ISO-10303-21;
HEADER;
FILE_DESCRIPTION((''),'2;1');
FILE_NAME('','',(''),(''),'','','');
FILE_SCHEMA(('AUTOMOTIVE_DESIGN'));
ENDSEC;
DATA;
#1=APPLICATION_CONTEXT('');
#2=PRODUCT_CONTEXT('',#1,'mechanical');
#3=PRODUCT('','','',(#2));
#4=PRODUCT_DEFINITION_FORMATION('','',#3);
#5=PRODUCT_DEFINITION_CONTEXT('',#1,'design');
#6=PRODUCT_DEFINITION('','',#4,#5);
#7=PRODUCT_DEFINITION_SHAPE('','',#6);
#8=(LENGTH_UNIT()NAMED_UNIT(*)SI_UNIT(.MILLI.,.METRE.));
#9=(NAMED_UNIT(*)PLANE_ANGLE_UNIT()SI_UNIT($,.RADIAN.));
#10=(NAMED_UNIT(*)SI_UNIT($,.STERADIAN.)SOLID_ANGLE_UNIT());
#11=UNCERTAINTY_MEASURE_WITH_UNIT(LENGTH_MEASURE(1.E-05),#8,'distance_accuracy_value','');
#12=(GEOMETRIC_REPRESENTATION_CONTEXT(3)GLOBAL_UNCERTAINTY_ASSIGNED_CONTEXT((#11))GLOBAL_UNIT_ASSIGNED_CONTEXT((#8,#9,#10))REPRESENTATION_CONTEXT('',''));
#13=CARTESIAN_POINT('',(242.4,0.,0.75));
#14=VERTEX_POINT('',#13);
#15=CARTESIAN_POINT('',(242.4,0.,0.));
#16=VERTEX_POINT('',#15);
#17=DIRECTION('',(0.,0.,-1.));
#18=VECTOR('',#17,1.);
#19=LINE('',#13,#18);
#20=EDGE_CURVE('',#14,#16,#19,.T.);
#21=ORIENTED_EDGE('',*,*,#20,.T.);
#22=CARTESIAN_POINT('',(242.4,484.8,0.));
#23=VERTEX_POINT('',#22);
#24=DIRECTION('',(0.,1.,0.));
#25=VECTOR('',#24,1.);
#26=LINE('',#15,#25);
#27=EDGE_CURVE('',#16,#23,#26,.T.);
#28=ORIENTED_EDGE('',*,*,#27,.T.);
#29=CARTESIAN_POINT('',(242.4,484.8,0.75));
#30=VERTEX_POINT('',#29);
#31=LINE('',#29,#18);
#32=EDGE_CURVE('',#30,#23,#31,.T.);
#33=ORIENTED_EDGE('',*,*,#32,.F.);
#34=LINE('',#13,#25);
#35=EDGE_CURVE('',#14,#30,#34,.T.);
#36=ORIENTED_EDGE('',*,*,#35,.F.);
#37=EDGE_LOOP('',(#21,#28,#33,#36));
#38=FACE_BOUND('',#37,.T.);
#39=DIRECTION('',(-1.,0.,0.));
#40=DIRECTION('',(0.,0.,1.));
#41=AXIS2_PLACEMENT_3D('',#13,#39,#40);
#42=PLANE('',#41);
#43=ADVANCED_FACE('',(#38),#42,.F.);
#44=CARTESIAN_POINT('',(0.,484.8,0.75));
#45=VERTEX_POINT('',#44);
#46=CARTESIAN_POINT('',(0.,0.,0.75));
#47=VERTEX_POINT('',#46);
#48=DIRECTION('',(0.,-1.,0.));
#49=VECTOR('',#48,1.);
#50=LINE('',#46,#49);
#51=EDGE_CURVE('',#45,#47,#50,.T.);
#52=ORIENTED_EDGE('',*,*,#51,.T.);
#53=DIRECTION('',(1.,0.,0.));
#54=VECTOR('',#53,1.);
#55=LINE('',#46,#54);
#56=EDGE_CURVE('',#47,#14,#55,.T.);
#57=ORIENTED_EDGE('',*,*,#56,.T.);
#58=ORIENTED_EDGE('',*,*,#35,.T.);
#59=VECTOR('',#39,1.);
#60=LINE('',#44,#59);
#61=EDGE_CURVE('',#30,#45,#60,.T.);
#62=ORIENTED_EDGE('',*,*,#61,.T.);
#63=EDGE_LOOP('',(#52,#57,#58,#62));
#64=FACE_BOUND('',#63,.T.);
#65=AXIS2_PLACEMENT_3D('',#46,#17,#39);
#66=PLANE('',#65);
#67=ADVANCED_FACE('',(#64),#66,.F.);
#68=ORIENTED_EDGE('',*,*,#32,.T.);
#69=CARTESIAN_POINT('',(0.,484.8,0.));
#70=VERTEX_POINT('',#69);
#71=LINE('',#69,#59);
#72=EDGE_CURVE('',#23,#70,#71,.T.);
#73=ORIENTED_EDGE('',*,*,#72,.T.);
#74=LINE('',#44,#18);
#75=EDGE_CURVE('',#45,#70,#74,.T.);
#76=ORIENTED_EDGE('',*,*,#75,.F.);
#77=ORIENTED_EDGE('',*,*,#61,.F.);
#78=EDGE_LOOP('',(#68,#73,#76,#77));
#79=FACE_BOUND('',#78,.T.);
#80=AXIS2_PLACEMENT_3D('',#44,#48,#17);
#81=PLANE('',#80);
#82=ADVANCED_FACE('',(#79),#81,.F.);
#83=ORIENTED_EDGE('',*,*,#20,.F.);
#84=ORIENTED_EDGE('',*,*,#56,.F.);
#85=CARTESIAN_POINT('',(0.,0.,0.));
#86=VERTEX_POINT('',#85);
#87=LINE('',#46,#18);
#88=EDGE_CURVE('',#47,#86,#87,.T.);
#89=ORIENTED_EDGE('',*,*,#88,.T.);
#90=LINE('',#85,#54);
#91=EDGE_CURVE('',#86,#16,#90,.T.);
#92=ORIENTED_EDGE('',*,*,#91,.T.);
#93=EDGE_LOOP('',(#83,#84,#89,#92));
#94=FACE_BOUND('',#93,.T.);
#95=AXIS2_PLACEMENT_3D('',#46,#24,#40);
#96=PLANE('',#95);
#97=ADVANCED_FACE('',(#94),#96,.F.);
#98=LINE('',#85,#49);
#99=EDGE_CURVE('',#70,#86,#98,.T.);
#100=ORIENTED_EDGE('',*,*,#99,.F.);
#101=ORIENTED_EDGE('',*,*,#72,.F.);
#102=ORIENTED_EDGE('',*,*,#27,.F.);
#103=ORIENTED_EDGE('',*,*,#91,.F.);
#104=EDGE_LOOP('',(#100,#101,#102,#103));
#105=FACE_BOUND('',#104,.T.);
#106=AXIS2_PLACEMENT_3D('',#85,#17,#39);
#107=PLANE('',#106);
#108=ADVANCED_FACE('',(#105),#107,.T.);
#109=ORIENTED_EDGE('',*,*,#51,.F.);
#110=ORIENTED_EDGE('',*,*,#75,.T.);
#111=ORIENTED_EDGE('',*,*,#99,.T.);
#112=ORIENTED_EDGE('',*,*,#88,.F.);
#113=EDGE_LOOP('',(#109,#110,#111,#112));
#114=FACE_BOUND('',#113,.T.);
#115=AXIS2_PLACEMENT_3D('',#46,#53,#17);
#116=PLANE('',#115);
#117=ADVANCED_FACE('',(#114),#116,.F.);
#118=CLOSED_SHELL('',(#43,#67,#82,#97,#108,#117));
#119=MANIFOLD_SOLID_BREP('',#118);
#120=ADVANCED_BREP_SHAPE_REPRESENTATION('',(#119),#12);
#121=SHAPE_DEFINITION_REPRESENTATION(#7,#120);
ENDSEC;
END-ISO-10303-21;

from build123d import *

# Parameters (mm, degrees)
SKETCH1_W           = 242.4
SKETCH1_H           = 484.8
BOSS_EXTRUDE1_DEPTH = 0.75


with BuildPart() as part:
    # Sketch1 → Boss-Extrude1 (new body)
    with BuildSketch(Plane.XY):
        with Locations((121.2, 242.4)):
            Rectangle(SKETCH1_W, SKETCH1_H)
    extrude(amount=BOSS_EXTRUDE1_DEPTH)


solid = part.part
